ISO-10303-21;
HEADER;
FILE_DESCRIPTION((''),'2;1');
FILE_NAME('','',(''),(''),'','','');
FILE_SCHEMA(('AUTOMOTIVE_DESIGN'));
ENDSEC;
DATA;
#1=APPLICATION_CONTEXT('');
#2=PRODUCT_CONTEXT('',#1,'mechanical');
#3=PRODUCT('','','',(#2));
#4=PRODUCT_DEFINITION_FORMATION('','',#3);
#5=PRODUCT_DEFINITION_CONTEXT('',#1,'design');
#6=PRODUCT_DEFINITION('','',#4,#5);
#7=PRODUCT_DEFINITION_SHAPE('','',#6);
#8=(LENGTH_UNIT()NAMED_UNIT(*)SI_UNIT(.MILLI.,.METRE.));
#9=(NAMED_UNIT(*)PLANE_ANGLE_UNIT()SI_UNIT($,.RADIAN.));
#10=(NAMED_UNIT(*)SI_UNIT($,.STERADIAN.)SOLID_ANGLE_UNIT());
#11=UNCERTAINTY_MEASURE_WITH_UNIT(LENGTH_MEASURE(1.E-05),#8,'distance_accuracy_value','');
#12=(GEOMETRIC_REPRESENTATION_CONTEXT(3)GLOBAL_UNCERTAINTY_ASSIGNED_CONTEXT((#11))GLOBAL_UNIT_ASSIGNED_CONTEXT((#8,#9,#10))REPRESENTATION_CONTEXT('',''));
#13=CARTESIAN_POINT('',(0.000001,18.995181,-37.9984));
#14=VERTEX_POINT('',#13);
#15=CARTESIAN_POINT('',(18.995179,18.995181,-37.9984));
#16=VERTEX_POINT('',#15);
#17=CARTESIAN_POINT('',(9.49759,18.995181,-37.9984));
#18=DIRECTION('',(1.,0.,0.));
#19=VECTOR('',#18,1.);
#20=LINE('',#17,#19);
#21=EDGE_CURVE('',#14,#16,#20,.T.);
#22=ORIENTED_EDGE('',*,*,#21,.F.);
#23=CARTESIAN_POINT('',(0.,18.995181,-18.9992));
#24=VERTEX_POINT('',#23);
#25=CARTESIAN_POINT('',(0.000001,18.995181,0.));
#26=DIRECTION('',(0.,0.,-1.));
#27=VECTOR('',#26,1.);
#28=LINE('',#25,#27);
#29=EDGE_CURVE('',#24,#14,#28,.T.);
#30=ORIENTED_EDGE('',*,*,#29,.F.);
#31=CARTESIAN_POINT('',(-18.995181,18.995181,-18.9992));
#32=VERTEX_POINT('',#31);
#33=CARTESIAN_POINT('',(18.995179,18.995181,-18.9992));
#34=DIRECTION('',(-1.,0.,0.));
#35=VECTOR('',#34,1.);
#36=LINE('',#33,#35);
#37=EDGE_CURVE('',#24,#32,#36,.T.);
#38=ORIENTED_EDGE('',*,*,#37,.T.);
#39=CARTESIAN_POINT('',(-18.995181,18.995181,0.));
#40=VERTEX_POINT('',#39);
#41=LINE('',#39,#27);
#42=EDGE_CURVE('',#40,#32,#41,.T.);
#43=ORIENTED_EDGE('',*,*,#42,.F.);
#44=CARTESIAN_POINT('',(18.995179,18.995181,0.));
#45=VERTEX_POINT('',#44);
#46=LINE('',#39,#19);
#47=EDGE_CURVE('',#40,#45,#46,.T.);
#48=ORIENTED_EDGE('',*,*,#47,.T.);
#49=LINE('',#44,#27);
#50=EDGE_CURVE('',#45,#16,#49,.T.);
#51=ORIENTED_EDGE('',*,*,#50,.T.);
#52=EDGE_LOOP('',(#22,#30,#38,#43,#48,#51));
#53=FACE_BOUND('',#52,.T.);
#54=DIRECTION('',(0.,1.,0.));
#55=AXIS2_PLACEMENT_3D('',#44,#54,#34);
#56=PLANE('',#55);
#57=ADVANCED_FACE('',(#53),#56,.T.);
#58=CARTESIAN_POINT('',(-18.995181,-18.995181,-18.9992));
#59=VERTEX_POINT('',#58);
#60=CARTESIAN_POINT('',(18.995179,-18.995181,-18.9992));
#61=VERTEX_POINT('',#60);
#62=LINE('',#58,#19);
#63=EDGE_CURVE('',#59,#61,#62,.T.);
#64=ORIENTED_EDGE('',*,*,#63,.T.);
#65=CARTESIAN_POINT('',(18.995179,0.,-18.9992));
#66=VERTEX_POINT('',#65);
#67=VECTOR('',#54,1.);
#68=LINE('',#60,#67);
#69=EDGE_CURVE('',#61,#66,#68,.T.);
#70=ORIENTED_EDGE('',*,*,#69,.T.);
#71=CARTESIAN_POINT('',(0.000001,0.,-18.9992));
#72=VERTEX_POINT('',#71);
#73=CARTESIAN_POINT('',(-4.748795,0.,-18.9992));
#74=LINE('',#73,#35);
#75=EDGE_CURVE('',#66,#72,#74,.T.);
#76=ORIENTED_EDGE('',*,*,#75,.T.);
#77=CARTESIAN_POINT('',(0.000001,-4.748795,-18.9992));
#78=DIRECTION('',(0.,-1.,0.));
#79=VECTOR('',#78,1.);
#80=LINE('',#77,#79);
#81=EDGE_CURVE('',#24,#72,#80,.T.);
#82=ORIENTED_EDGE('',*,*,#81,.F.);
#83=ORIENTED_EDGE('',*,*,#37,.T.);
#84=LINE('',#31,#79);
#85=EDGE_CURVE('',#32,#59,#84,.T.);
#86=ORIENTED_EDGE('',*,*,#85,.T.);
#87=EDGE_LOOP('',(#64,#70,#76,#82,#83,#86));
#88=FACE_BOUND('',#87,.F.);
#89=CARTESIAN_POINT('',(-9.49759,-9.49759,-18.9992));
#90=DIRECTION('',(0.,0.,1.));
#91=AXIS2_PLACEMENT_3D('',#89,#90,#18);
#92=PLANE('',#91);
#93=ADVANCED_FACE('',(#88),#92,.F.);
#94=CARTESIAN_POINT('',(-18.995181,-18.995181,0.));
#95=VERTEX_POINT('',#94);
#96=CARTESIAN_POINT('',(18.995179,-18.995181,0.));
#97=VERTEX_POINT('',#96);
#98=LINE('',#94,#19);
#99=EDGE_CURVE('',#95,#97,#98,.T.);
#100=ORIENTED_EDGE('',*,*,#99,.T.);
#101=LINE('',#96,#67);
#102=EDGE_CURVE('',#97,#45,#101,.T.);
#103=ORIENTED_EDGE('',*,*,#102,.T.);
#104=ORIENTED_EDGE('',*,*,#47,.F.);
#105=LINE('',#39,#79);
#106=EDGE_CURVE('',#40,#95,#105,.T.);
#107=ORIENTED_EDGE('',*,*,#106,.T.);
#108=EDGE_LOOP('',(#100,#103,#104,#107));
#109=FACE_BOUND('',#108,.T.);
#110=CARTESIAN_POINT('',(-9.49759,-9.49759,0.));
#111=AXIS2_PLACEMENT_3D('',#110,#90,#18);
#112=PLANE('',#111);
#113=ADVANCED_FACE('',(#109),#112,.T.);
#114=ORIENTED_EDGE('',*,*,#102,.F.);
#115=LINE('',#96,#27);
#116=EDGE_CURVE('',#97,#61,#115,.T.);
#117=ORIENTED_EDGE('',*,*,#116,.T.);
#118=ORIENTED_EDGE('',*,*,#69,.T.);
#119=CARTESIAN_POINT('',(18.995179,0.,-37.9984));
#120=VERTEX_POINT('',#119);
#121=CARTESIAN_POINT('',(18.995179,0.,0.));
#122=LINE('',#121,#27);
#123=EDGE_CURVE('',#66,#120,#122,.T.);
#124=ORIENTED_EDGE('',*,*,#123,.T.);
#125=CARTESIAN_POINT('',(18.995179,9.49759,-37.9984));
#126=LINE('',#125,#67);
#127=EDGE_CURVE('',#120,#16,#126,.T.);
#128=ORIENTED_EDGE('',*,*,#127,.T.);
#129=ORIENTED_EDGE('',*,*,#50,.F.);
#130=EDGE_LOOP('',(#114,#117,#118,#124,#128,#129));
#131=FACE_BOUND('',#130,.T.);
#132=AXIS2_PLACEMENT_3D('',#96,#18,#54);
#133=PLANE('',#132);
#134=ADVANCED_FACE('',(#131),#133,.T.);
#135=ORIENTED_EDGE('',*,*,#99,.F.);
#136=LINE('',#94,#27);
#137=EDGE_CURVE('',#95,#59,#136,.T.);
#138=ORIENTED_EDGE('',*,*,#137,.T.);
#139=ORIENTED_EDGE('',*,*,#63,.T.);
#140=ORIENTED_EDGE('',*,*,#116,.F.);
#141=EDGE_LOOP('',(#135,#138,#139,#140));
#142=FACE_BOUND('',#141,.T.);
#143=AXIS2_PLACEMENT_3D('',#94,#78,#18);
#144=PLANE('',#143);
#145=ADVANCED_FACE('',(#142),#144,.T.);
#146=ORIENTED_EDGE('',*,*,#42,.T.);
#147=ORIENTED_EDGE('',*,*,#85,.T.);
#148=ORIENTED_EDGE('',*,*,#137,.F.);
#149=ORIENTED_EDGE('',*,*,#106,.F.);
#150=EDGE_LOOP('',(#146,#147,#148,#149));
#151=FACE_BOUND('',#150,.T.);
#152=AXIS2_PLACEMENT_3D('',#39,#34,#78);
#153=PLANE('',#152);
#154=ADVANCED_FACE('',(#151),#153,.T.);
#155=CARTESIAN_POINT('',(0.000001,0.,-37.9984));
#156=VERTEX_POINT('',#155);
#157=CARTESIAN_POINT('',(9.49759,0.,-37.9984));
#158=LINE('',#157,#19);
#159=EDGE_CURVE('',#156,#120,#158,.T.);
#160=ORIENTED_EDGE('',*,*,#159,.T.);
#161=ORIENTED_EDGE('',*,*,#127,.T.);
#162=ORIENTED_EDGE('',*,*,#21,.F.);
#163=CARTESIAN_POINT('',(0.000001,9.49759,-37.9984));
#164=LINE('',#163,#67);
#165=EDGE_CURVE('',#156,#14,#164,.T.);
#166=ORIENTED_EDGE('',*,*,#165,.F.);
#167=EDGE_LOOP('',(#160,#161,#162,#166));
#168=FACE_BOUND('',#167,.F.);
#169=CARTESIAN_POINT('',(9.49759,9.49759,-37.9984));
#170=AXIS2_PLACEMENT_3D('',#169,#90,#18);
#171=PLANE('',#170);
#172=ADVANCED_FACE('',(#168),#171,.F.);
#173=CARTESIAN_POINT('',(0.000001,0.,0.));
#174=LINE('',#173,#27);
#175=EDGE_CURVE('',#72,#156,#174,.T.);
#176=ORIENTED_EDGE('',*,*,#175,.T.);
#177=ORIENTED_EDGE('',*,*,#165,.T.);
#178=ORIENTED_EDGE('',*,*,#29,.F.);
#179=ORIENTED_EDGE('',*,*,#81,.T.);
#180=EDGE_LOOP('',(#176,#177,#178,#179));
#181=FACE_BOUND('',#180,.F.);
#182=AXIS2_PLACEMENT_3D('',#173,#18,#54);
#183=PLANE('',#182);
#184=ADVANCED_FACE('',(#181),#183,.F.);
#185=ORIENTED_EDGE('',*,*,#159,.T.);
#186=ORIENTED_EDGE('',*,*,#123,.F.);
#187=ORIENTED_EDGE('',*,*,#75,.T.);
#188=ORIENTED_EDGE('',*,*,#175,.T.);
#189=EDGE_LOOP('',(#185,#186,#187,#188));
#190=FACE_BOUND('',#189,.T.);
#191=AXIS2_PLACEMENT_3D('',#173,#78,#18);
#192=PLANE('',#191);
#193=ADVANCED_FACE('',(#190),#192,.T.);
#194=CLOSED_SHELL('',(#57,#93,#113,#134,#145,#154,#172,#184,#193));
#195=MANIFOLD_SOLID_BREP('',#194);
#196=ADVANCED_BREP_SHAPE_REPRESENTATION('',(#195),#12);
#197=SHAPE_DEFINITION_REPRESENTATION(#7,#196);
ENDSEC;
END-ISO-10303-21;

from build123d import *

# Parameters (mm, degrees)
F0_W     = 18.995179
F0_H     = 18.995181
F1_DEPTH = 37.9984
F0_W_2   = 18.995181
F2_DEPTH = 18.9992


with BuildPart() as f1:
    # F0 (on Top) → F1 (new body)
    with BuildSketch(Plane.XY):
        with Locations((9.49759, 9.49759)):
            Rectangle(F0_W, F0_H)
    extrude(amount=-F1_DEPTH)

    # F0 (on Top) → F2 (join)
    with BuildSketch(Plane.XY):
        with Locations((-9.49759, -9.49759)):
            Rectangle(F0_W_2, F0_H)
        with Locations((-9.49759, 9.49759)):
            Rectangle(F0_W_2, F0_H)
        with Locations((9.49759, 9.49759)):
            Rectangle(F0_W, F0_H)
        with Locations((9.49759, -9.49759)):
            Rectangle(F0_W, F0_H)
    extrude(amount=-F2_DEPTH)


solid = f1.part
